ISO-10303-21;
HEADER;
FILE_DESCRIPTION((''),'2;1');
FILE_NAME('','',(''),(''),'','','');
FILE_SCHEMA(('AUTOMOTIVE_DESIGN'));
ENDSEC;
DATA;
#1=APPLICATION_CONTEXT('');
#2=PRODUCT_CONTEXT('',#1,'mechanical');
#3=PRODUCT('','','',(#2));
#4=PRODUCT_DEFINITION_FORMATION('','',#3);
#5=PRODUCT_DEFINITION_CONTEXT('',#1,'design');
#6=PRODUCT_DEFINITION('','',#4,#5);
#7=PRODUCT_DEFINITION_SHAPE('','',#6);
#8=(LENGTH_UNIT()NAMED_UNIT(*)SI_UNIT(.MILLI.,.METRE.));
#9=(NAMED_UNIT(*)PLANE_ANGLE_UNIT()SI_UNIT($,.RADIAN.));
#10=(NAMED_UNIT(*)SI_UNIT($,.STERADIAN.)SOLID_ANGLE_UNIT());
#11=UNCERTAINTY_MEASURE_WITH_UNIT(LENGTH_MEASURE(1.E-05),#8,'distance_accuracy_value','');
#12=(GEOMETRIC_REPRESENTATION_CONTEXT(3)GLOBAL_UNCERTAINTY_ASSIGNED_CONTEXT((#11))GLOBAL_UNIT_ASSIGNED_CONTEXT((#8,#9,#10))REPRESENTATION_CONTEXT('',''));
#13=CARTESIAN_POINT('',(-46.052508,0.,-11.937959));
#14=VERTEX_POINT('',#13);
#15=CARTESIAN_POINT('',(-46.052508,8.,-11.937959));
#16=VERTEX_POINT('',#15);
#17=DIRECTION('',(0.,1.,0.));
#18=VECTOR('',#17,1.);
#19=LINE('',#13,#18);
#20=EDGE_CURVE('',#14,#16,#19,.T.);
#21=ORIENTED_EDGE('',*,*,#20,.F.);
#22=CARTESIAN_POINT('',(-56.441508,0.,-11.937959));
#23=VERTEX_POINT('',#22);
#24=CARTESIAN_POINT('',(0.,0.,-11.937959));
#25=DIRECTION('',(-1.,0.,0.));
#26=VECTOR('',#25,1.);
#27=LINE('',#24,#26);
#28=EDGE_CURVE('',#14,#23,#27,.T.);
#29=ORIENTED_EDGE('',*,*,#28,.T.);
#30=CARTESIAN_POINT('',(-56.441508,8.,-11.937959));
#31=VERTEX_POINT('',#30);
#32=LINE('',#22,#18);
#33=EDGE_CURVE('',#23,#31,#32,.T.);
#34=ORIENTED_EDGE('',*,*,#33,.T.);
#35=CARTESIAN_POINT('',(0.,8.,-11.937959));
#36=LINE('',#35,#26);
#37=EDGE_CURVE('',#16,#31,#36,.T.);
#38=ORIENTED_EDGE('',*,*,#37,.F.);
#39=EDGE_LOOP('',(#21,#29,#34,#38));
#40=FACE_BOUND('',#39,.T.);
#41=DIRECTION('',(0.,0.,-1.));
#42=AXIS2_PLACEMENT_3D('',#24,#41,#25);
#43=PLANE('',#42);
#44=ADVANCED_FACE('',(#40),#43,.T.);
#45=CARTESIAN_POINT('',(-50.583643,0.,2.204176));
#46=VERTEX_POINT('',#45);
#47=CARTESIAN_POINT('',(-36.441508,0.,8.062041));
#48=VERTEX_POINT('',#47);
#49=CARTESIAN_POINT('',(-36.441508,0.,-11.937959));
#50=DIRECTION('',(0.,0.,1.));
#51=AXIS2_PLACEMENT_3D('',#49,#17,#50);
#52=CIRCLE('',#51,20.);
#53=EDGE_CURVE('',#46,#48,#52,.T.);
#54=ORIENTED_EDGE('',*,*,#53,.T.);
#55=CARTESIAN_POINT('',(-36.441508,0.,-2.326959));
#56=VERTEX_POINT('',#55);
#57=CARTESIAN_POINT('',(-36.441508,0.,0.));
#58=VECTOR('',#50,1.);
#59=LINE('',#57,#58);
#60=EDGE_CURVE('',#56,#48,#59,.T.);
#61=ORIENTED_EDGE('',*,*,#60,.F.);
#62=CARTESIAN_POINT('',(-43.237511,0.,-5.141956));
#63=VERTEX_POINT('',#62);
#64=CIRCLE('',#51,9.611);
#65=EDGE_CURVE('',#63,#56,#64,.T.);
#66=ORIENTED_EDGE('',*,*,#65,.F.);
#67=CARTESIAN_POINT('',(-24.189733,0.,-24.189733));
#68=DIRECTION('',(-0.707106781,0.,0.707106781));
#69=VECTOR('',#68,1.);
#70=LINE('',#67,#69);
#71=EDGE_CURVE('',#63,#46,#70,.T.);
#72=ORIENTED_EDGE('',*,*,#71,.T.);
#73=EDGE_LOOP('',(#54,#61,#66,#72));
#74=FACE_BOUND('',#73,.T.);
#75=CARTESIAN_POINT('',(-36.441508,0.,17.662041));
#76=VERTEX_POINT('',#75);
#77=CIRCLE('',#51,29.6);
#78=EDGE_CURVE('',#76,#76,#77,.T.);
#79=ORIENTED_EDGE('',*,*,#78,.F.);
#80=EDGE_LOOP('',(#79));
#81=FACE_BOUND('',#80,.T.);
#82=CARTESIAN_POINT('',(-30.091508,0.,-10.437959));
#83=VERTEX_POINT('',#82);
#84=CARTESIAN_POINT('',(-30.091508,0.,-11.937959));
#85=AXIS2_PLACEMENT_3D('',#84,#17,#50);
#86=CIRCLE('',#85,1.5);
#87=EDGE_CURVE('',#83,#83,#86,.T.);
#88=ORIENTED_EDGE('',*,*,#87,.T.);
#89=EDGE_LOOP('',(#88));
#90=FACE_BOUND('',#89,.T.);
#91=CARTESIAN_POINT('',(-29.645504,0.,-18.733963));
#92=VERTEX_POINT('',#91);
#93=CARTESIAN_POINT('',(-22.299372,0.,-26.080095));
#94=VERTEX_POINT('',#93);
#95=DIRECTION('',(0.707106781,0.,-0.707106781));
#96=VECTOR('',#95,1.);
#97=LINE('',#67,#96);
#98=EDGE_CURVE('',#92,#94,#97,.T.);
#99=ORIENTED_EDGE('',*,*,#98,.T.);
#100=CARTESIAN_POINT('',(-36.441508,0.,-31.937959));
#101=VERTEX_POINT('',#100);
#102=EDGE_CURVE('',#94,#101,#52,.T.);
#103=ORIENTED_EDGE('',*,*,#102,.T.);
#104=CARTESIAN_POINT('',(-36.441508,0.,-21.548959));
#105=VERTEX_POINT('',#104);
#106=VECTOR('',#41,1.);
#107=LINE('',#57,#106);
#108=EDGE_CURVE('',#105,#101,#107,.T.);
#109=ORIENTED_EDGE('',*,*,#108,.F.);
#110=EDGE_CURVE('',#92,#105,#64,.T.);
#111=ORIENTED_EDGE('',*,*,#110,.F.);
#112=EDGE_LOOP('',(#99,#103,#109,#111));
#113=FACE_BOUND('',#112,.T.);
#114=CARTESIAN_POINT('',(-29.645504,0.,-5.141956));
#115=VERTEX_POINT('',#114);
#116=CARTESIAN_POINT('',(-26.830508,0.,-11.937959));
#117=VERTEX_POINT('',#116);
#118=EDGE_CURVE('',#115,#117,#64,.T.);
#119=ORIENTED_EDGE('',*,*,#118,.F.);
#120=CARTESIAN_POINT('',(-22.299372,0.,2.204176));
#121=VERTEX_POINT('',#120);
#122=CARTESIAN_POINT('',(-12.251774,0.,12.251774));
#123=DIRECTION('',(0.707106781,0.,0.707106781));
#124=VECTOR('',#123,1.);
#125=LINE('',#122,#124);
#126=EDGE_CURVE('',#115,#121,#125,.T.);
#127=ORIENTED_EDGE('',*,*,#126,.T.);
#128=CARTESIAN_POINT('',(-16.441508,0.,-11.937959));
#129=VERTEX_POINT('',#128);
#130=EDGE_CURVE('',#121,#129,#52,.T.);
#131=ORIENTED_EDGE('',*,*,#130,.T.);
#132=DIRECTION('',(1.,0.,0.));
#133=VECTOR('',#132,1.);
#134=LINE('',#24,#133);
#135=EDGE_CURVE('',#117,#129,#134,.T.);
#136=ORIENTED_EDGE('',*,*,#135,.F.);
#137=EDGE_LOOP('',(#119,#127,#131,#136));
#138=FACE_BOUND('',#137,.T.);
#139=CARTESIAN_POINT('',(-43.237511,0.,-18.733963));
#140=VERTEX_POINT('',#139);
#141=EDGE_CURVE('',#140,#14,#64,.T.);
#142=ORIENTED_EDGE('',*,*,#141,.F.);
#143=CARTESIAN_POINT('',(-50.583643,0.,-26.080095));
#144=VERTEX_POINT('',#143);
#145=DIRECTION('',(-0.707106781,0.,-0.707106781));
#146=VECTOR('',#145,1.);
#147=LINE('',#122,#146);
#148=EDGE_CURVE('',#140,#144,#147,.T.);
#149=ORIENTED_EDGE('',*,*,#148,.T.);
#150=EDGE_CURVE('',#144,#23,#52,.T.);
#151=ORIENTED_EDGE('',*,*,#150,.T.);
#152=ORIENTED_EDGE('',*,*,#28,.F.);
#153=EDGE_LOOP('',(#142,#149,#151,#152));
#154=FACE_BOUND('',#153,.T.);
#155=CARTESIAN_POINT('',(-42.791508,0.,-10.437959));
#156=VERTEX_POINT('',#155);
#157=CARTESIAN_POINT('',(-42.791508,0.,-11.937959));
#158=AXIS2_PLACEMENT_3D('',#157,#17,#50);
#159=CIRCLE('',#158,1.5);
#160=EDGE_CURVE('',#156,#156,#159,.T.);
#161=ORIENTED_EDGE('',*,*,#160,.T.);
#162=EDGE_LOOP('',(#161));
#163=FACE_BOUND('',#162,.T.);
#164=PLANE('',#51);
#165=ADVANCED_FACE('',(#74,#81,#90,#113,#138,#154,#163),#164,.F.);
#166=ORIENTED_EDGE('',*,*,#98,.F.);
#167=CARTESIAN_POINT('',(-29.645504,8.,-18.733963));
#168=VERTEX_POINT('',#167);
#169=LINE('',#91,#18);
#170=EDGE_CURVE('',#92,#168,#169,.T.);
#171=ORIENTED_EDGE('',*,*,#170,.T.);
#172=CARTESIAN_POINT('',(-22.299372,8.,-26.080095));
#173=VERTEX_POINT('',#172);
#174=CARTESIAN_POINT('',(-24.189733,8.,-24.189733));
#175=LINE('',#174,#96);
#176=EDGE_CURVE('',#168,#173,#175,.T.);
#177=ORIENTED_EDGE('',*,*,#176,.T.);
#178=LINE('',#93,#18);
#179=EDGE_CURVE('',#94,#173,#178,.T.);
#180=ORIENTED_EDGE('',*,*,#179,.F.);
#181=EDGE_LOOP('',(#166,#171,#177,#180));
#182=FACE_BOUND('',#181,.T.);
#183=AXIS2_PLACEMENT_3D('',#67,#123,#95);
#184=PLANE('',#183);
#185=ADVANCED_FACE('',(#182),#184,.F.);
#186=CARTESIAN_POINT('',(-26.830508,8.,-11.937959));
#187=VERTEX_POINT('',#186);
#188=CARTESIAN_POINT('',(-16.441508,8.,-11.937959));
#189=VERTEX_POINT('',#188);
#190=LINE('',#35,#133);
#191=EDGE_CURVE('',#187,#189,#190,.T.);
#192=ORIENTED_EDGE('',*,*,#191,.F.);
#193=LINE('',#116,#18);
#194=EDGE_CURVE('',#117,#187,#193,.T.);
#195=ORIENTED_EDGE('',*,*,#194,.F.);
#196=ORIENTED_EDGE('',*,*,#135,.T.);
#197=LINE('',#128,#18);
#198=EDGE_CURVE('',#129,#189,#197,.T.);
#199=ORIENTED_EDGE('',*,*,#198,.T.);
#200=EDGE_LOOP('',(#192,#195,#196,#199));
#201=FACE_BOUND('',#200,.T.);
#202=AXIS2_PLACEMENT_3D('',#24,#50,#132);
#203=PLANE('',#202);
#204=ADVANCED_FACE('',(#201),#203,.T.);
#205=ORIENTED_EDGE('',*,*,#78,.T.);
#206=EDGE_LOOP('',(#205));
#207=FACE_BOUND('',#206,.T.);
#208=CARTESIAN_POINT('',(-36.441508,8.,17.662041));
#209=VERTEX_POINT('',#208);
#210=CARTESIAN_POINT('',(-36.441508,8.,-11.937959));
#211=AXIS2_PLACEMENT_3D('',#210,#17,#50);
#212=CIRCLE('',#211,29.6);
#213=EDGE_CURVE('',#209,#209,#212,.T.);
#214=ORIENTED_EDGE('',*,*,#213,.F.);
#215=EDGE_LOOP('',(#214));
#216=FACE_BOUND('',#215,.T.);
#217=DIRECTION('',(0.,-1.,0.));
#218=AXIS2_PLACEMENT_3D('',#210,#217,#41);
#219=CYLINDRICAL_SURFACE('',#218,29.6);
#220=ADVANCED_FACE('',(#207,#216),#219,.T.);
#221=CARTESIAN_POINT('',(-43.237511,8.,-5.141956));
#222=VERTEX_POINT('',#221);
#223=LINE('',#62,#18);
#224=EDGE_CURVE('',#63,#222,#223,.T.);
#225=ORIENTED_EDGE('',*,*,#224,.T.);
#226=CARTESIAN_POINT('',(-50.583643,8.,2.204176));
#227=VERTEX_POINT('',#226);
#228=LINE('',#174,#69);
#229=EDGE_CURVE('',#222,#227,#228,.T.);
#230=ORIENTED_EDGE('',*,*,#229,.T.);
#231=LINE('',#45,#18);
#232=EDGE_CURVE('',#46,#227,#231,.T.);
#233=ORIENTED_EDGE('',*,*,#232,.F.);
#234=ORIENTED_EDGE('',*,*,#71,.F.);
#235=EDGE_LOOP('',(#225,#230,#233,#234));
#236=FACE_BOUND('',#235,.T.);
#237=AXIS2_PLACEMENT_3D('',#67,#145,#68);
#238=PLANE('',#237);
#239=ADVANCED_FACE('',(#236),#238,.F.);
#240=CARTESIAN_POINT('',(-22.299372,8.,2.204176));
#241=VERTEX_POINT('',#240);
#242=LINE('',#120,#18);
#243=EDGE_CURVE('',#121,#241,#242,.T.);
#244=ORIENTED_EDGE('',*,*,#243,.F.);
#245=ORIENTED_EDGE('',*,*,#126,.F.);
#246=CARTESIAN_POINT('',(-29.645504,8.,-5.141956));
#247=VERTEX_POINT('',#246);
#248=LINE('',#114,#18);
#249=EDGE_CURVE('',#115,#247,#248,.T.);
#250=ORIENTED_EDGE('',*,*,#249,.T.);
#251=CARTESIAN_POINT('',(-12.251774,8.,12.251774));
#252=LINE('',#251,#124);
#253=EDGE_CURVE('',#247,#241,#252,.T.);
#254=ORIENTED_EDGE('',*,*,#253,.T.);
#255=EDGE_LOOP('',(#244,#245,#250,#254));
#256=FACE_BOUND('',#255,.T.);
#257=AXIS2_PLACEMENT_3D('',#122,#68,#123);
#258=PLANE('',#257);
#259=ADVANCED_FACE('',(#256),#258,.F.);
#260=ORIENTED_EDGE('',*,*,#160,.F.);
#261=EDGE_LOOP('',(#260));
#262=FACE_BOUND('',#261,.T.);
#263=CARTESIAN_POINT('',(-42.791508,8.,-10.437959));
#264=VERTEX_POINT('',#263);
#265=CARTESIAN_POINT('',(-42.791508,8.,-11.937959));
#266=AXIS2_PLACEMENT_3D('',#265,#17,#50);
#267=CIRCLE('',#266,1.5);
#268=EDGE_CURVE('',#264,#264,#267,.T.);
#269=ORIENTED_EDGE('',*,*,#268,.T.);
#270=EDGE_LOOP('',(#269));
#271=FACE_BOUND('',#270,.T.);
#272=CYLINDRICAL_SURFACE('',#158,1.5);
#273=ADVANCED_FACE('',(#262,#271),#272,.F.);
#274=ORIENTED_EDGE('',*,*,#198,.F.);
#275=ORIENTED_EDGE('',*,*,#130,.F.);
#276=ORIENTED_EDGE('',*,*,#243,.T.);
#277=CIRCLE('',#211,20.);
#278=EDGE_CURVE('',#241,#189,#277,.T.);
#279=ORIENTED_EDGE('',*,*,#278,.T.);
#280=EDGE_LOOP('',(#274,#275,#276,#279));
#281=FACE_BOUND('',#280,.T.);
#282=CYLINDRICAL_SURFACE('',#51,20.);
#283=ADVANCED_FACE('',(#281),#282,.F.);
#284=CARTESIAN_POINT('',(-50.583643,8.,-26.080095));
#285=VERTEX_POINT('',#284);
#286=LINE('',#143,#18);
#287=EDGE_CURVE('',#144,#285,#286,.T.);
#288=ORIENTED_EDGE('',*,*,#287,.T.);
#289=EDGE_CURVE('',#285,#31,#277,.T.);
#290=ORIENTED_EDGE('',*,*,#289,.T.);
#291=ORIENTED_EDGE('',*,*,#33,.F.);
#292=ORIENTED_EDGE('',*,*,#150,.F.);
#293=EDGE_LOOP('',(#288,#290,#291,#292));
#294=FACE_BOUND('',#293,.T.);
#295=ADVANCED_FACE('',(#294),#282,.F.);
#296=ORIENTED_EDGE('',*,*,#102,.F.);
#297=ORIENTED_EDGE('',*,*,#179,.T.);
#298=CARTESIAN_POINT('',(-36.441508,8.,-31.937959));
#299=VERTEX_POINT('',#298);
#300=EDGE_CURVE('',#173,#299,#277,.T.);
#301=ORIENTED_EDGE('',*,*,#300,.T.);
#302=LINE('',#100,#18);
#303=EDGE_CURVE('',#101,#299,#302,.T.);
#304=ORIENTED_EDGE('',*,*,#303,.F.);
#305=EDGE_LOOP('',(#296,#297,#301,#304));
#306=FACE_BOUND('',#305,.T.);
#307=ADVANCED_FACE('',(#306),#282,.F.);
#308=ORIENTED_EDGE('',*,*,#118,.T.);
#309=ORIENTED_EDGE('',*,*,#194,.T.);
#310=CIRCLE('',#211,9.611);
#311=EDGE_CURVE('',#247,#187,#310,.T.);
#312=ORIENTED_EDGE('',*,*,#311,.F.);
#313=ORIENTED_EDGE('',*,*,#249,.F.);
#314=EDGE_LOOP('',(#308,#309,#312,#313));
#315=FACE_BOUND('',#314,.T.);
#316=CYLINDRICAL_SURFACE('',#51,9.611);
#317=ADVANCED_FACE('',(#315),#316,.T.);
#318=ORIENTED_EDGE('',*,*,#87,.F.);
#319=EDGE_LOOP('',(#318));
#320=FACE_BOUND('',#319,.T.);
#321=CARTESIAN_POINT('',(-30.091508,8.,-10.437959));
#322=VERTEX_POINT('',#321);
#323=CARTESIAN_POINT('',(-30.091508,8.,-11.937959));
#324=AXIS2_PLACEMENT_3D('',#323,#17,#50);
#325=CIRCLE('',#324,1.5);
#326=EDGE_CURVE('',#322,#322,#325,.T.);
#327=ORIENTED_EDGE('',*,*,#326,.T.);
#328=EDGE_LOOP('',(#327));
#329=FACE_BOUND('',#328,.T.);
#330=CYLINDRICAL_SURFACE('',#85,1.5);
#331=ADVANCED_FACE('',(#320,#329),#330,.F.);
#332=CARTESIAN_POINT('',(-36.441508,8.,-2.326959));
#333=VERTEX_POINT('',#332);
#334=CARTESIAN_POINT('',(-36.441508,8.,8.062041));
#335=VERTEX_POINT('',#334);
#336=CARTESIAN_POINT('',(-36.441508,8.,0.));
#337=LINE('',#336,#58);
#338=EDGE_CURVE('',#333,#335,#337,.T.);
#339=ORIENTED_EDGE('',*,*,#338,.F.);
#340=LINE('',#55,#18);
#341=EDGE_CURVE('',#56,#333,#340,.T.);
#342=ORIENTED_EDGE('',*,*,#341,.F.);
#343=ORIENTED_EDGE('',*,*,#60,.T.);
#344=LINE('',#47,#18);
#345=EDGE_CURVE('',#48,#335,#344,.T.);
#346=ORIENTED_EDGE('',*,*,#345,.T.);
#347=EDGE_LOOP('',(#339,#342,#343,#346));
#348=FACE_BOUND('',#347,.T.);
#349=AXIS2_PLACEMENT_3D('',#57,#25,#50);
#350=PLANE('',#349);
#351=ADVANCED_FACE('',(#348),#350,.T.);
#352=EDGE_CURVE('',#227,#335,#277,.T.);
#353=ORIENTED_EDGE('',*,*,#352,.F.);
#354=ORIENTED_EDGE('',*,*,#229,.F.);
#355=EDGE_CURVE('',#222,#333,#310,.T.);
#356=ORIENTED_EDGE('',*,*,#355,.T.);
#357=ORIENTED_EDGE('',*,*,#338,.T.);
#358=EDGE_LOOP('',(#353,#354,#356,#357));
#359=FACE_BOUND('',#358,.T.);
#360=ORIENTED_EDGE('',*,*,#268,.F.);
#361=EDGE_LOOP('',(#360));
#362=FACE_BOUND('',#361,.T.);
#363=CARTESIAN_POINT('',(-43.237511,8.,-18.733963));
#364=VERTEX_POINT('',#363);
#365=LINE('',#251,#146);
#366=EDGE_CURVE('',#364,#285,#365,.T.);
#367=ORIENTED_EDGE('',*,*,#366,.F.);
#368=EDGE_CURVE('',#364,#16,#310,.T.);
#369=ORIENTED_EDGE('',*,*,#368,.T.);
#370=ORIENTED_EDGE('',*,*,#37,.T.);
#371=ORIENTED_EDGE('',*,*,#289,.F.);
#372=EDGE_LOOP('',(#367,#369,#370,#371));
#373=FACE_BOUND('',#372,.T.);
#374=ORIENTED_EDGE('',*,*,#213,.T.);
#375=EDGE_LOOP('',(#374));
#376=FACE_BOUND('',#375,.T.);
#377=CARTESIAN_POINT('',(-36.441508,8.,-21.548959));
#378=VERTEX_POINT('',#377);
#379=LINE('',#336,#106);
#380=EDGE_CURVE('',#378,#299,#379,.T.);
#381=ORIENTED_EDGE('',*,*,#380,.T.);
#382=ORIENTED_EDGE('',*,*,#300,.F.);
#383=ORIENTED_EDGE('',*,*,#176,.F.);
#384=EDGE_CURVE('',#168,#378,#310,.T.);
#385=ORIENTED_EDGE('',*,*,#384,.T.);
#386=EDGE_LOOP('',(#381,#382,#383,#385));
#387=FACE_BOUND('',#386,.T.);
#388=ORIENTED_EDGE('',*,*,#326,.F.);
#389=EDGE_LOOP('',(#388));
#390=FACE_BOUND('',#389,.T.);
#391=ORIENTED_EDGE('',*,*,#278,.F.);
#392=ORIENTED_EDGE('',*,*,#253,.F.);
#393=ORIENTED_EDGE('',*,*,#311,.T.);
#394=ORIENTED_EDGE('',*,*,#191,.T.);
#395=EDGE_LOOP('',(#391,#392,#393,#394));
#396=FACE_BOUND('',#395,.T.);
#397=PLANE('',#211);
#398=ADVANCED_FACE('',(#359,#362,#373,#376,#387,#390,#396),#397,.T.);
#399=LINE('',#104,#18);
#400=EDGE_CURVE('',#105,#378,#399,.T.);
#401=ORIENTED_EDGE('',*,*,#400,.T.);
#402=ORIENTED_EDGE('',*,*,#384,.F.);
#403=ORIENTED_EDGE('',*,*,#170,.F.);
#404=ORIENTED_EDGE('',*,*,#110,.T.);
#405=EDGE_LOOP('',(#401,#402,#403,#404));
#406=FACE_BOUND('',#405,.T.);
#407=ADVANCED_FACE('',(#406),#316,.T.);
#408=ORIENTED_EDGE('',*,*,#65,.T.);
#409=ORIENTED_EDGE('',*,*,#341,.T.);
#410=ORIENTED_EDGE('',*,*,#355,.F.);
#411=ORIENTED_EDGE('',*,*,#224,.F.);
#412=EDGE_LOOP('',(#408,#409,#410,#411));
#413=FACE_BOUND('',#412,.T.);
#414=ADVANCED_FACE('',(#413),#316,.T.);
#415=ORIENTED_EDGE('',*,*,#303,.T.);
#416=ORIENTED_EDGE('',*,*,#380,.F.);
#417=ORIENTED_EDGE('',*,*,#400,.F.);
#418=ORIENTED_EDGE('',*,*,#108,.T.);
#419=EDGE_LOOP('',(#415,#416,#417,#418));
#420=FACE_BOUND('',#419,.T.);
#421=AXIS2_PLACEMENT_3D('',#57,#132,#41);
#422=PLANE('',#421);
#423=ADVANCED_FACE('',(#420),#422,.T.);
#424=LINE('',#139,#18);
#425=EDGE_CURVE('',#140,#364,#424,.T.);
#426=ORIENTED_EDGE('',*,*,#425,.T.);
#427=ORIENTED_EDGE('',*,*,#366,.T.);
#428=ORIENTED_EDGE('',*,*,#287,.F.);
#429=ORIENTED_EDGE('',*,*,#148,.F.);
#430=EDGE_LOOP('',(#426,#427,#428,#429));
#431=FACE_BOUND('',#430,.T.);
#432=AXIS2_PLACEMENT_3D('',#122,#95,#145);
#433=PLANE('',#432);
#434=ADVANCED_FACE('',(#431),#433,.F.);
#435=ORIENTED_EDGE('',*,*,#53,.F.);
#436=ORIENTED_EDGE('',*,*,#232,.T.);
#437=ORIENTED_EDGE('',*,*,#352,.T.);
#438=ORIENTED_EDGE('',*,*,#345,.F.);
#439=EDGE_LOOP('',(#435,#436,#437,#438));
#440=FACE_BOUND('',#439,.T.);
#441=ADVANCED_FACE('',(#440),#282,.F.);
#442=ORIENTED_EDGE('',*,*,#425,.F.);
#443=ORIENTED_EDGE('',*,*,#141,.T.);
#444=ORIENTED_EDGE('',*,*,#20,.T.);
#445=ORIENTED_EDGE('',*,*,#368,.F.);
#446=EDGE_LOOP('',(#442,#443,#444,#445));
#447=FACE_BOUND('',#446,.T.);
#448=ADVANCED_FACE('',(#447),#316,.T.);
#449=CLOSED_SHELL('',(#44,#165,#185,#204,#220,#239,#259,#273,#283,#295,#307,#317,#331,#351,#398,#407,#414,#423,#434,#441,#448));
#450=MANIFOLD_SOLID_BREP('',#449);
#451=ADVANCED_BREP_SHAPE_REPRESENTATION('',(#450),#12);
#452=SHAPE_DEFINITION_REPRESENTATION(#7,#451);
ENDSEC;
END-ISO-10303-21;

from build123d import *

# Parameters (mm, degrees)
ESBO_O1_R                = 29.6
RESSALTO_EXTRUS_O1_DEPTH = 8
CORTE_EXTRUS_O2_DEPTH    = 8
ESBO_O4_R                = 1.5
CORTE_EXTRUS_O4_DEPTH    = 8


with BuildPart() as part:
    # Esboço1 → Ressalto-extrusão1 (new body)
    with BuildSketch(Plane(origin=(0, 0, 0), x_dir=(1, 0, 0), z_dir=(0, 1, 0))):
        with Locations(Location((-36.441507633, 11.937959287, 0), (0, 0, 270))):
            Circle(ESBO_O1_R)
    extrude(amount=RESSALTO_EXTRUS_O1_DEPTH)

    # Esboço2 → Corte-extrusão2 (cut)
    with BuildSketch(Plane(origin=(0, 8, 0), x_dir=(1, 0, 0), z_dir=(0, 1, 0))):
        with BuildLine():
            ThreePointArc((-46.052507633, 11.937959287), (-45.32091382, 15.615929755), (-43.237510907, 18.733962561))
            Line((-43.237510907, 18.733962561), (-50.583643257, 26.080094911))
            ThreePointArc((-50.583643257, 26.080094911), (-54.919098283, 19.591627934), (-56.441507633, 11.937959287))
            Line((-56.441507633, 11.937959287), (-46.052507633, 11.937959287))
        make_face()
        with BuildLine():
            ThreePointArc((-36.441507633, 21.548959287), (-32.763537165, 20.817365474), (-29.645504359, 18.733962561))
            Line((-29.645504359, 18.733962561), (-22.299372009, 26.080094911))
            ThreePointArc((-22.299372009, 26.080094911), (-28.787838986, 30.415549937), (-36.441507633, 31.937959287))
            Line((-36.441507633, 31.937959287), (-36.441507633, 21.548959287))
        make_face()
        with BuildLine():
            Line((-16.441507633, 11.937959287), (-26.830507633, 11.937959287))
            ThreePointArc((-26.830507633, 11.937959287), (-27.562101446, 8.259988818), (-29.645504359, 5.141956013))
            Line((-29.645504359, 5.141956013), (-22.299372009, -2.204176337))
            ThreePointArc((-22.299372009, -2.204176337), (-17.963916983, 4.28429064), (-16.441507633, 11.937959287))
        make_face()
        with BuildLine():
            Line((-36.441507633, -8.062040713), (-36.441507633, 2.326959287))
            ThreePointArc((-36.441507633, 2.326959287), (-40.119478102, 3.0585531), (-43.237510907, 5.141956013))
            Line((-43.237510907, 5.141956013), (-50.583643257, -2.204176337))
            ThreePointArc((-50.583643257, -2.204176337), (-44.09517628, -6.539631363), (-36.441507633, -8.062040713))
        make_face()
    extrude(amount=-CORTE_EXTRUS_O2_DEPTH, mode=Mode.SUBTRACT)

    # Esboço4 → Corte-extrusão4 (cut)
    with BuildSketch(Plane(origin=(0, 8, 0), x_dir=(1, 0, 0), z_dir=(0, 1, 0))):
        with Locations(Location((-30.091507633, 11.937959287, 0), (0, 0, 270))):
            Circle(ESBO_O4_R)
        with Locations(Location((-42.791507633, 11.937959287, 0), (0, 0, 270))):
            Circle(ESBO_O4_R)
    extrude(amount=-CORTE_EXTRUS_O4_DEPTH, mode=Mode.SUBTRACT)


solid = part.part
